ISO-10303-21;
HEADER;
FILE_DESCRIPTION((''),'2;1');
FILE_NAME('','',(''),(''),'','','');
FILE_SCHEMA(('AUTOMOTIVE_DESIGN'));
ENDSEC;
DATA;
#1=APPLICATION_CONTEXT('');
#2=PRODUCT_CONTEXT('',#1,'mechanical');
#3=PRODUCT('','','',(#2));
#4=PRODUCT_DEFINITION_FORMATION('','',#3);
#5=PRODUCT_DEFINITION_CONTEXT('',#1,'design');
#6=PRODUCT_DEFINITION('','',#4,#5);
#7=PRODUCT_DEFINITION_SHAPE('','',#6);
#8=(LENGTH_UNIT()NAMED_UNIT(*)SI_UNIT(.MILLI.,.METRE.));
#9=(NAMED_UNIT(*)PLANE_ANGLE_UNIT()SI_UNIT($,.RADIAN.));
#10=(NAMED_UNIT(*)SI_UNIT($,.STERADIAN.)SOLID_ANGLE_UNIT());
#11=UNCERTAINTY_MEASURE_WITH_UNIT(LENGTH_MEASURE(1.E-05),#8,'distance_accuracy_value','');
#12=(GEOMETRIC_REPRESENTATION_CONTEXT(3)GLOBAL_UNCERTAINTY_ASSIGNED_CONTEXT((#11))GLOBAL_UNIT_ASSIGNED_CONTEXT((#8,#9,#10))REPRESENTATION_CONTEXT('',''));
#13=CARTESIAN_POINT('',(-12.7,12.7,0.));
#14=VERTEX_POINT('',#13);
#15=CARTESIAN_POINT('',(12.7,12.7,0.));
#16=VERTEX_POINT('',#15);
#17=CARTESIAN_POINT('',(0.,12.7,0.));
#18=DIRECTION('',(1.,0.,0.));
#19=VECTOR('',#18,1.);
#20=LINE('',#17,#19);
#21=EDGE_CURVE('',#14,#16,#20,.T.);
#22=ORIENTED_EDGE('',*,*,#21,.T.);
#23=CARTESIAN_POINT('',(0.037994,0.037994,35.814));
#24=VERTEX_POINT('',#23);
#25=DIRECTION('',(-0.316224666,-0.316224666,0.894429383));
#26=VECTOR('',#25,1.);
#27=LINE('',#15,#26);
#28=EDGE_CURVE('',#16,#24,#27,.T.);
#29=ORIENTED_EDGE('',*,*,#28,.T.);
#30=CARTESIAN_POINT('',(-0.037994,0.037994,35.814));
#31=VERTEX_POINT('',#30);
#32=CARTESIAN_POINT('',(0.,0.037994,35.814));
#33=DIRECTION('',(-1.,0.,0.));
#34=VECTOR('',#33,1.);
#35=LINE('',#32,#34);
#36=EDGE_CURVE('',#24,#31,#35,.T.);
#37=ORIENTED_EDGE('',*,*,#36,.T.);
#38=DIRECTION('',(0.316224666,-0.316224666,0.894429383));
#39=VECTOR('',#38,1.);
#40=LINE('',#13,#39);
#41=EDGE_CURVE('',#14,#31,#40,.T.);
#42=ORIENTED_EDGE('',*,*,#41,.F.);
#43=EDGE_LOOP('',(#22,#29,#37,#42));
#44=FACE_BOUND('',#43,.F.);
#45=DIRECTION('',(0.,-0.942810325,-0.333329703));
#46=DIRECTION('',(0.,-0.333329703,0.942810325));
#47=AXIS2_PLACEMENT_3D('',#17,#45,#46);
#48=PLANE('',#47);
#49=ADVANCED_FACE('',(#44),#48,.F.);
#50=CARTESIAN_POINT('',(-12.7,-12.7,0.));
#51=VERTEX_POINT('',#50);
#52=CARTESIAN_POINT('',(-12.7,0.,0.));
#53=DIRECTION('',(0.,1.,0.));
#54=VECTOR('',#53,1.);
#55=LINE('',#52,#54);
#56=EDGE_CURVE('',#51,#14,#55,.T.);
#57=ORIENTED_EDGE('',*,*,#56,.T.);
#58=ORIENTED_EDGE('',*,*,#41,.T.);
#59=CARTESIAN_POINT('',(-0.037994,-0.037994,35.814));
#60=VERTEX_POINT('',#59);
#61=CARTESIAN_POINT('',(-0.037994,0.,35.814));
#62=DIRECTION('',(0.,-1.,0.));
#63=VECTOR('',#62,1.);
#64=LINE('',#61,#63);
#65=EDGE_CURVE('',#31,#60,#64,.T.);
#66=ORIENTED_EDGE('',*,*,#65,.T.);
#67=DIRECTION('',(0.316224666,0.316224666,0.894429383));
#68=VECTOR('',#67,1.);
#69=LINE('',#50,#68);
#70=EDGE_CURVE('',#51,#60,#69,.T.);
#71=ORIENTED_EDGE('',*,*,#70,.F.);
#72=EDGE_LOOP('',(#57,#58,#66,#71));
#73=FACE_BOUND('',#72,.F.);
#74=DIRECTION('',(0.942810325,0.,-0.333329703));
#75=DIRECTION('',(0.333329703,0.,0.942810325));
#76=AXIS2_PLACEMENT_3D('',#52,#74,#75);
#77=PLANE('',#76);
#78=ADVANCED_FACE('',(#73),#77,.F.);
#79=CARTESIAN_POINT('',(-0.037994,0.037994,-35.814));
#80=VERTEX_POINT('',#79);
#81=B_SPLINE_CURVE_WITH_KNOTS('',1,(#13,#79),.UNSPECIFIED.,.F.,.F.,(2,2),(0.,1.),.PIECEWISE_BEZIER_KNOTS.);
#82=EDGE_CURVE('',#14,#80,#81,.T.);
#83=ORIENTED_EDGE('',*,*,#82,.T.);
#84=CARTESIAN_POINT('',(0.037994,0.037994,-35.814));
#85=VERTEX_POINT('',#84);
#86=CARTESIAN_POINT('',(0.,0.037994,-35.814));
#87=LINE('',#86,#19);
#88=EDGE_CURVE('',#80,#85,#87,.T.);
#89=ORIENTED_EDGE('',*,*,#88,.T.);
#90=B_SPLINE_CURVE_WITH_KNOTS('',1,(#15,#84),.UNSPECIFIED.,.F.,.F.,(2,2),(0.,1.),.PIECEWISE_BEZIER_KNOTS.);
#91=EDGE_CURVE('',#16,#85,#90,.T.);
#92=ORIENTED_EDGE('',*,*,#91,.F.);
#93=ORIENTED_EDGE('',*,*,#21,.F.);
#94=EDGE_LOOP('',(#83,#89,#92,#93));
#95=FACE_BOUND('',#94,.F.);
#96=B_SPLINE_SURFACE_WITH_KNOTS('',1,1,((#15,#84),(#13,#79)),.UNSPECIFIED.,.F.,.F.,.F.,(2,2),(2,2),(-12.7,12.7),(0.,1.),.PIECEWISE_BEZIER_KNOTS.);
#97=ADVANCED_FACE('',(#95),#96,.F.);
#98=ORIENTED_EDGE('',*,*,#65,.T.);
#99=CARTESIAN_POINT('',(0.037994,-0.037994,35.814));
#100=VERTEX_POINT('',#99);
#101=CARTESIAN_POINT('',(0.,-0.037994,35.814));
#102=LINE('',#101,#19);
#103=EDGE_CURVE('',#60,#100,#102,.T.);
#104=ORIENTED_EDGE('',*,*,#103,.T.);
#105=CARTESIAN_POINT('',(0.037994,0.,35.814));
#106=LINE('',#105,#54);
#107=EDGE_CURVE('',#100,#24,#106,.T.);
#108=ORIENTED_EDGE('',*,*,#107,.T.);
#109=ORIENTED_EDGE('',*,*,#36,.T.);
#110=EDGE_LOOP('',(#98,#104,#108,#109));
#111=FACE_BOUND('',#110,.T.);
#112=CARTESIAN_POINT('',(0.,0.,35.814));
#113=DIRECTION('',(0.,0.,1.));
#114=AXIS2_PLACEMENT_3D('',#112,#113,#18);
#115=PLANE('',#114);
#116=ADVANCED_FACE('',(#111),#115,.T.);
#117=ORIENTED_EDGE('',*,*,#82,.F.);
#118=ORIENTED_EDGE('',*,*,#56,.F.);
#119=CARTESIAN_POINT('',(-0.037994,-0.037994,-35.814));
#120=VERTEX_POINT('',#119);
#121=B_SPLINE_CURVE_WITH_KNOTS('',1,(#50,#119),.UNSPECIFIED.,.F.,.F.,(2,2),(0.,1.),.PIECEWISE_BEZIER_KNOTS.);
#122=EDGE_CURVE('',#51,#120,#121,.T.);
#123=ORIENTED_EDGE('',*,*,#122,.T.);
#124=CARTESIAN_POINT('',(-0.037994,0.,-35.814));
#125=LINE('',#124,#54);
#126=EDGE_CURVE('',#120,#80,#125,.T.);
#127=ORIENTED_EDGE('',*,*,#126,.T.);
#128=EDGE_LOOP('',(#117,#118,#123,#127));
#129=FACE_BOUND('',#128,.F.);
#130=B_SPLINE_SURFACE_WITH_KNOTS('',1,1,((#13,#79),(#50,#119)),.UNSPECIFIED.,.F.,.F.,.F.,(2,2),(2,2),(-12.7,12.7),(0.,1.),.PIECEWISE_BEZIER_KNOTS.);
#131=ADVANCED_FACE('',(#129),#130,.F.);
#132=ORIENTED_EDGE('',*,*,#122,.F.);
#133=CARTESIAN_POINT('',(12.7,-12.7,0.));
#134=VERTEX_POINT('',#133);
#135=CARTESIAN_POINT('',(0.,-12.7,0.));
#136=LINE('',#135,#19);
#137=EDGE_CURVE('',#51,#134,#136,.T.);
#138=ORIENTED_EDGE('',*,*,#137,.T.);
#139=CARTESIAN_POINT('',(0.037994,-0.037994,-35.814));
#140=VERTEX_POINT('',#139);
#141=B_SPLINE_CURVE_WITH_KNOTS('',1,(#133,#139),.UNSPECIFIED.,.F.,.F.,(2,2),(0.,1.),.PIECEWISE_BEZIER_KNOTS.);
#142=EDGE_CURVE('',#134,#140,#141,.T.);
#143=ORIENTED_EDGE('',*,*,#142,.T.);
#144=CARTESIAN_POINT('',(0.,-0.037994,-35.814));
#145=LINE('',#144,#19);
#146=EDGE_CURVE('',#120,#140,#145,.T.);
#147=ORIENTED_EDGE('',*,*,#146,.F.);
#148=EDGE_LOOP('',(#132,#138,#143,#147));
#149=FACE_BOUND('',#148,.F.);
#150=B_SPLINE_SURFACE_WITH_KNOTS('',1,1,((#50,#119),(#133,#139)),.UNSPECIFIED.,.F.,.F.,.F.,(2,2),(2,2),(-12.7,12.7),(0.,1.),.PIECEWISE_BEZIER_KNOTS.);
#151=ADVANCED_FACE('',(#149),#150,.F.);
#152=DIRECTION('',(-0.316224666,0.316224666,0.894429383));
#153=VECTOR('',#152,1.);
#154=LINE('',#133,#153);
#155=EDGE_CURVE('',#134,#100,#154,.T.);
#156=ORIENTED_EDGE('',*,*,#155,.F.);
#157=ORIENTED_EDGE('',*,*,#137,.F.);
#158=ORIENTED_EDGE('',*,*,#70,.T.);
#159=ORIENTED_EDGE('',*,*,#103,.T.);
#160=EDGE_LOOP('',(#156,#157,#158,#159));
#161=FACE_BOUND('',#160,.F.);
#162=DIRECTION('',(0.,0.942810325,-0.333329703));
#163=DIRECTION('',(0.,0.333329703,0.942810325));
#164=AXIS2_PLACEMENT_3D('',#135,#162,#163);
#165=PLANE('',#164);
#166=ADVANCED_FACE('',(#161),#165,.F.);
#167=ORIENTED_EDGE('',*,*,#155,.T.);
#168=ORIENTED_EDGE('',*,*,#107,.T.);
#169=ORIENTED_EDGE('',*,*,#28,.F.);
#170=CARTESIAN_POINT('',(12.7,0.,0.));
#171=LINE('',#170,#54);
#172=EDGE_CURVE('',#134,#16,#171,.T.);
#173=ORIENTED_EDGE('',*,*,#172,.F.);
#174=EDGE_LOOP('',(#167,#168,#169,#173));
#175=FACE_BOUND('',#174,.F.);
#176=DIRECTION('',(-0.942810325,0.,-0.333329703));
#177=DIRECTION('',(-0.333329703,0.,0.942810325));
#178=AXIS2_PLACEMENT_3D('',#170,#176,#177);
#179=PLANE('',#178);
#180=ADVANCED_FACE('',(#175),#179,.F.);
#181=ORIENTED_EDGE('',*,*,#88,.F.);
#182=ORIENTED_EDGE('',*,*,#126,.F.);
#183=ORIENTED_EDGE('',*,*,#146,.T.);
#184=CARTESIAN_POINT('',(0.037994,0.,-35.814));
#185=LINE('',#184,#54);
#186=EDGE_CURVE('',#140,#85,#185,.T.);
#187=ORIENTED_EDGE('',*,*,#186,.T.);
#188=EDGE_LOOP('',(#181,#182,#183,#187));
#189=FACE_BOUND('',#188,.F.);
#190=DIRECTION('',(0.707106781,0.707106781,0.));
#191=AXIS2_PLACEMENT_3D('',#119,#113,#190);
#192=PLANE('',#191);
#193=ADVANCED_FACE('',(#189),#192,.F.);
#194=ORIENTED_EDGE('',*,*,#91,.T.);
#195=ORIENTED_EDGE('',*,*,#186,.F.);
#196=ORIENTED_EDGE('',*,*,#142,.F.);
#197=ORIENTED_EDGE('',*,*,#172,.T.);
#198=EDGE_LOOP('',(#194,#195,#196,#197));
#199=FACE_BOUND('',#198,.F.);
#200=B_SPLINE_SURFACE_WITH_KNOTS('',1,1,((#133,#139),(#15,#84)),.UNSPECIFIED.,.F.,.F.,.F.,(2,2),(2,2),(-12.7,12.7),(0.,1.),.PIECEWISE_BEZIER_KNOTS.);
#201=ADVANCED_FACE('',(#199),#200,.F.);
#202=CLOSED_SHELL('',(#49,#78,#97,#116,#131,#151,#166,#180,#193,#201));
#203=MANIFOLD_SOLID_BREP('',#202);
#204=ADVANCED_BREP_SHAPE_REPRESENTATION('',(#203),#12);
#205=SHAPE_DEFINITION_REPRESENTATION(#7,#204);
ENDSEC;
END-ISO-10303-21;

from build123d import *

# Parameters (mm, degrees)
F0_W     = 25.4
F0_H     = 25.4
F1_DEPTH = 35.814
F1_TAPER = 19.471
F2_W     = 25.4
F2_H     = 25.4
F3_DEPTH = 35.814
F3_TAPER = 19.471


with BuildPart() as f1:
    # F0 (on Top) → F1 (new body)
    with BuildSketch(Plane.XY):
        Rectangle(F0_W, F0_H)
    extrude(amount=F1_DEPTH, taper=F1_TAPER)

    # F2 (on Top) → F3 (join)
    with BuildSketch(Plane.XY):
        Rectangle(F2_W, F2_H)
    extrude(amount=-F3_DEPTH, taper=F3_TAPER)


solid = f1.part
